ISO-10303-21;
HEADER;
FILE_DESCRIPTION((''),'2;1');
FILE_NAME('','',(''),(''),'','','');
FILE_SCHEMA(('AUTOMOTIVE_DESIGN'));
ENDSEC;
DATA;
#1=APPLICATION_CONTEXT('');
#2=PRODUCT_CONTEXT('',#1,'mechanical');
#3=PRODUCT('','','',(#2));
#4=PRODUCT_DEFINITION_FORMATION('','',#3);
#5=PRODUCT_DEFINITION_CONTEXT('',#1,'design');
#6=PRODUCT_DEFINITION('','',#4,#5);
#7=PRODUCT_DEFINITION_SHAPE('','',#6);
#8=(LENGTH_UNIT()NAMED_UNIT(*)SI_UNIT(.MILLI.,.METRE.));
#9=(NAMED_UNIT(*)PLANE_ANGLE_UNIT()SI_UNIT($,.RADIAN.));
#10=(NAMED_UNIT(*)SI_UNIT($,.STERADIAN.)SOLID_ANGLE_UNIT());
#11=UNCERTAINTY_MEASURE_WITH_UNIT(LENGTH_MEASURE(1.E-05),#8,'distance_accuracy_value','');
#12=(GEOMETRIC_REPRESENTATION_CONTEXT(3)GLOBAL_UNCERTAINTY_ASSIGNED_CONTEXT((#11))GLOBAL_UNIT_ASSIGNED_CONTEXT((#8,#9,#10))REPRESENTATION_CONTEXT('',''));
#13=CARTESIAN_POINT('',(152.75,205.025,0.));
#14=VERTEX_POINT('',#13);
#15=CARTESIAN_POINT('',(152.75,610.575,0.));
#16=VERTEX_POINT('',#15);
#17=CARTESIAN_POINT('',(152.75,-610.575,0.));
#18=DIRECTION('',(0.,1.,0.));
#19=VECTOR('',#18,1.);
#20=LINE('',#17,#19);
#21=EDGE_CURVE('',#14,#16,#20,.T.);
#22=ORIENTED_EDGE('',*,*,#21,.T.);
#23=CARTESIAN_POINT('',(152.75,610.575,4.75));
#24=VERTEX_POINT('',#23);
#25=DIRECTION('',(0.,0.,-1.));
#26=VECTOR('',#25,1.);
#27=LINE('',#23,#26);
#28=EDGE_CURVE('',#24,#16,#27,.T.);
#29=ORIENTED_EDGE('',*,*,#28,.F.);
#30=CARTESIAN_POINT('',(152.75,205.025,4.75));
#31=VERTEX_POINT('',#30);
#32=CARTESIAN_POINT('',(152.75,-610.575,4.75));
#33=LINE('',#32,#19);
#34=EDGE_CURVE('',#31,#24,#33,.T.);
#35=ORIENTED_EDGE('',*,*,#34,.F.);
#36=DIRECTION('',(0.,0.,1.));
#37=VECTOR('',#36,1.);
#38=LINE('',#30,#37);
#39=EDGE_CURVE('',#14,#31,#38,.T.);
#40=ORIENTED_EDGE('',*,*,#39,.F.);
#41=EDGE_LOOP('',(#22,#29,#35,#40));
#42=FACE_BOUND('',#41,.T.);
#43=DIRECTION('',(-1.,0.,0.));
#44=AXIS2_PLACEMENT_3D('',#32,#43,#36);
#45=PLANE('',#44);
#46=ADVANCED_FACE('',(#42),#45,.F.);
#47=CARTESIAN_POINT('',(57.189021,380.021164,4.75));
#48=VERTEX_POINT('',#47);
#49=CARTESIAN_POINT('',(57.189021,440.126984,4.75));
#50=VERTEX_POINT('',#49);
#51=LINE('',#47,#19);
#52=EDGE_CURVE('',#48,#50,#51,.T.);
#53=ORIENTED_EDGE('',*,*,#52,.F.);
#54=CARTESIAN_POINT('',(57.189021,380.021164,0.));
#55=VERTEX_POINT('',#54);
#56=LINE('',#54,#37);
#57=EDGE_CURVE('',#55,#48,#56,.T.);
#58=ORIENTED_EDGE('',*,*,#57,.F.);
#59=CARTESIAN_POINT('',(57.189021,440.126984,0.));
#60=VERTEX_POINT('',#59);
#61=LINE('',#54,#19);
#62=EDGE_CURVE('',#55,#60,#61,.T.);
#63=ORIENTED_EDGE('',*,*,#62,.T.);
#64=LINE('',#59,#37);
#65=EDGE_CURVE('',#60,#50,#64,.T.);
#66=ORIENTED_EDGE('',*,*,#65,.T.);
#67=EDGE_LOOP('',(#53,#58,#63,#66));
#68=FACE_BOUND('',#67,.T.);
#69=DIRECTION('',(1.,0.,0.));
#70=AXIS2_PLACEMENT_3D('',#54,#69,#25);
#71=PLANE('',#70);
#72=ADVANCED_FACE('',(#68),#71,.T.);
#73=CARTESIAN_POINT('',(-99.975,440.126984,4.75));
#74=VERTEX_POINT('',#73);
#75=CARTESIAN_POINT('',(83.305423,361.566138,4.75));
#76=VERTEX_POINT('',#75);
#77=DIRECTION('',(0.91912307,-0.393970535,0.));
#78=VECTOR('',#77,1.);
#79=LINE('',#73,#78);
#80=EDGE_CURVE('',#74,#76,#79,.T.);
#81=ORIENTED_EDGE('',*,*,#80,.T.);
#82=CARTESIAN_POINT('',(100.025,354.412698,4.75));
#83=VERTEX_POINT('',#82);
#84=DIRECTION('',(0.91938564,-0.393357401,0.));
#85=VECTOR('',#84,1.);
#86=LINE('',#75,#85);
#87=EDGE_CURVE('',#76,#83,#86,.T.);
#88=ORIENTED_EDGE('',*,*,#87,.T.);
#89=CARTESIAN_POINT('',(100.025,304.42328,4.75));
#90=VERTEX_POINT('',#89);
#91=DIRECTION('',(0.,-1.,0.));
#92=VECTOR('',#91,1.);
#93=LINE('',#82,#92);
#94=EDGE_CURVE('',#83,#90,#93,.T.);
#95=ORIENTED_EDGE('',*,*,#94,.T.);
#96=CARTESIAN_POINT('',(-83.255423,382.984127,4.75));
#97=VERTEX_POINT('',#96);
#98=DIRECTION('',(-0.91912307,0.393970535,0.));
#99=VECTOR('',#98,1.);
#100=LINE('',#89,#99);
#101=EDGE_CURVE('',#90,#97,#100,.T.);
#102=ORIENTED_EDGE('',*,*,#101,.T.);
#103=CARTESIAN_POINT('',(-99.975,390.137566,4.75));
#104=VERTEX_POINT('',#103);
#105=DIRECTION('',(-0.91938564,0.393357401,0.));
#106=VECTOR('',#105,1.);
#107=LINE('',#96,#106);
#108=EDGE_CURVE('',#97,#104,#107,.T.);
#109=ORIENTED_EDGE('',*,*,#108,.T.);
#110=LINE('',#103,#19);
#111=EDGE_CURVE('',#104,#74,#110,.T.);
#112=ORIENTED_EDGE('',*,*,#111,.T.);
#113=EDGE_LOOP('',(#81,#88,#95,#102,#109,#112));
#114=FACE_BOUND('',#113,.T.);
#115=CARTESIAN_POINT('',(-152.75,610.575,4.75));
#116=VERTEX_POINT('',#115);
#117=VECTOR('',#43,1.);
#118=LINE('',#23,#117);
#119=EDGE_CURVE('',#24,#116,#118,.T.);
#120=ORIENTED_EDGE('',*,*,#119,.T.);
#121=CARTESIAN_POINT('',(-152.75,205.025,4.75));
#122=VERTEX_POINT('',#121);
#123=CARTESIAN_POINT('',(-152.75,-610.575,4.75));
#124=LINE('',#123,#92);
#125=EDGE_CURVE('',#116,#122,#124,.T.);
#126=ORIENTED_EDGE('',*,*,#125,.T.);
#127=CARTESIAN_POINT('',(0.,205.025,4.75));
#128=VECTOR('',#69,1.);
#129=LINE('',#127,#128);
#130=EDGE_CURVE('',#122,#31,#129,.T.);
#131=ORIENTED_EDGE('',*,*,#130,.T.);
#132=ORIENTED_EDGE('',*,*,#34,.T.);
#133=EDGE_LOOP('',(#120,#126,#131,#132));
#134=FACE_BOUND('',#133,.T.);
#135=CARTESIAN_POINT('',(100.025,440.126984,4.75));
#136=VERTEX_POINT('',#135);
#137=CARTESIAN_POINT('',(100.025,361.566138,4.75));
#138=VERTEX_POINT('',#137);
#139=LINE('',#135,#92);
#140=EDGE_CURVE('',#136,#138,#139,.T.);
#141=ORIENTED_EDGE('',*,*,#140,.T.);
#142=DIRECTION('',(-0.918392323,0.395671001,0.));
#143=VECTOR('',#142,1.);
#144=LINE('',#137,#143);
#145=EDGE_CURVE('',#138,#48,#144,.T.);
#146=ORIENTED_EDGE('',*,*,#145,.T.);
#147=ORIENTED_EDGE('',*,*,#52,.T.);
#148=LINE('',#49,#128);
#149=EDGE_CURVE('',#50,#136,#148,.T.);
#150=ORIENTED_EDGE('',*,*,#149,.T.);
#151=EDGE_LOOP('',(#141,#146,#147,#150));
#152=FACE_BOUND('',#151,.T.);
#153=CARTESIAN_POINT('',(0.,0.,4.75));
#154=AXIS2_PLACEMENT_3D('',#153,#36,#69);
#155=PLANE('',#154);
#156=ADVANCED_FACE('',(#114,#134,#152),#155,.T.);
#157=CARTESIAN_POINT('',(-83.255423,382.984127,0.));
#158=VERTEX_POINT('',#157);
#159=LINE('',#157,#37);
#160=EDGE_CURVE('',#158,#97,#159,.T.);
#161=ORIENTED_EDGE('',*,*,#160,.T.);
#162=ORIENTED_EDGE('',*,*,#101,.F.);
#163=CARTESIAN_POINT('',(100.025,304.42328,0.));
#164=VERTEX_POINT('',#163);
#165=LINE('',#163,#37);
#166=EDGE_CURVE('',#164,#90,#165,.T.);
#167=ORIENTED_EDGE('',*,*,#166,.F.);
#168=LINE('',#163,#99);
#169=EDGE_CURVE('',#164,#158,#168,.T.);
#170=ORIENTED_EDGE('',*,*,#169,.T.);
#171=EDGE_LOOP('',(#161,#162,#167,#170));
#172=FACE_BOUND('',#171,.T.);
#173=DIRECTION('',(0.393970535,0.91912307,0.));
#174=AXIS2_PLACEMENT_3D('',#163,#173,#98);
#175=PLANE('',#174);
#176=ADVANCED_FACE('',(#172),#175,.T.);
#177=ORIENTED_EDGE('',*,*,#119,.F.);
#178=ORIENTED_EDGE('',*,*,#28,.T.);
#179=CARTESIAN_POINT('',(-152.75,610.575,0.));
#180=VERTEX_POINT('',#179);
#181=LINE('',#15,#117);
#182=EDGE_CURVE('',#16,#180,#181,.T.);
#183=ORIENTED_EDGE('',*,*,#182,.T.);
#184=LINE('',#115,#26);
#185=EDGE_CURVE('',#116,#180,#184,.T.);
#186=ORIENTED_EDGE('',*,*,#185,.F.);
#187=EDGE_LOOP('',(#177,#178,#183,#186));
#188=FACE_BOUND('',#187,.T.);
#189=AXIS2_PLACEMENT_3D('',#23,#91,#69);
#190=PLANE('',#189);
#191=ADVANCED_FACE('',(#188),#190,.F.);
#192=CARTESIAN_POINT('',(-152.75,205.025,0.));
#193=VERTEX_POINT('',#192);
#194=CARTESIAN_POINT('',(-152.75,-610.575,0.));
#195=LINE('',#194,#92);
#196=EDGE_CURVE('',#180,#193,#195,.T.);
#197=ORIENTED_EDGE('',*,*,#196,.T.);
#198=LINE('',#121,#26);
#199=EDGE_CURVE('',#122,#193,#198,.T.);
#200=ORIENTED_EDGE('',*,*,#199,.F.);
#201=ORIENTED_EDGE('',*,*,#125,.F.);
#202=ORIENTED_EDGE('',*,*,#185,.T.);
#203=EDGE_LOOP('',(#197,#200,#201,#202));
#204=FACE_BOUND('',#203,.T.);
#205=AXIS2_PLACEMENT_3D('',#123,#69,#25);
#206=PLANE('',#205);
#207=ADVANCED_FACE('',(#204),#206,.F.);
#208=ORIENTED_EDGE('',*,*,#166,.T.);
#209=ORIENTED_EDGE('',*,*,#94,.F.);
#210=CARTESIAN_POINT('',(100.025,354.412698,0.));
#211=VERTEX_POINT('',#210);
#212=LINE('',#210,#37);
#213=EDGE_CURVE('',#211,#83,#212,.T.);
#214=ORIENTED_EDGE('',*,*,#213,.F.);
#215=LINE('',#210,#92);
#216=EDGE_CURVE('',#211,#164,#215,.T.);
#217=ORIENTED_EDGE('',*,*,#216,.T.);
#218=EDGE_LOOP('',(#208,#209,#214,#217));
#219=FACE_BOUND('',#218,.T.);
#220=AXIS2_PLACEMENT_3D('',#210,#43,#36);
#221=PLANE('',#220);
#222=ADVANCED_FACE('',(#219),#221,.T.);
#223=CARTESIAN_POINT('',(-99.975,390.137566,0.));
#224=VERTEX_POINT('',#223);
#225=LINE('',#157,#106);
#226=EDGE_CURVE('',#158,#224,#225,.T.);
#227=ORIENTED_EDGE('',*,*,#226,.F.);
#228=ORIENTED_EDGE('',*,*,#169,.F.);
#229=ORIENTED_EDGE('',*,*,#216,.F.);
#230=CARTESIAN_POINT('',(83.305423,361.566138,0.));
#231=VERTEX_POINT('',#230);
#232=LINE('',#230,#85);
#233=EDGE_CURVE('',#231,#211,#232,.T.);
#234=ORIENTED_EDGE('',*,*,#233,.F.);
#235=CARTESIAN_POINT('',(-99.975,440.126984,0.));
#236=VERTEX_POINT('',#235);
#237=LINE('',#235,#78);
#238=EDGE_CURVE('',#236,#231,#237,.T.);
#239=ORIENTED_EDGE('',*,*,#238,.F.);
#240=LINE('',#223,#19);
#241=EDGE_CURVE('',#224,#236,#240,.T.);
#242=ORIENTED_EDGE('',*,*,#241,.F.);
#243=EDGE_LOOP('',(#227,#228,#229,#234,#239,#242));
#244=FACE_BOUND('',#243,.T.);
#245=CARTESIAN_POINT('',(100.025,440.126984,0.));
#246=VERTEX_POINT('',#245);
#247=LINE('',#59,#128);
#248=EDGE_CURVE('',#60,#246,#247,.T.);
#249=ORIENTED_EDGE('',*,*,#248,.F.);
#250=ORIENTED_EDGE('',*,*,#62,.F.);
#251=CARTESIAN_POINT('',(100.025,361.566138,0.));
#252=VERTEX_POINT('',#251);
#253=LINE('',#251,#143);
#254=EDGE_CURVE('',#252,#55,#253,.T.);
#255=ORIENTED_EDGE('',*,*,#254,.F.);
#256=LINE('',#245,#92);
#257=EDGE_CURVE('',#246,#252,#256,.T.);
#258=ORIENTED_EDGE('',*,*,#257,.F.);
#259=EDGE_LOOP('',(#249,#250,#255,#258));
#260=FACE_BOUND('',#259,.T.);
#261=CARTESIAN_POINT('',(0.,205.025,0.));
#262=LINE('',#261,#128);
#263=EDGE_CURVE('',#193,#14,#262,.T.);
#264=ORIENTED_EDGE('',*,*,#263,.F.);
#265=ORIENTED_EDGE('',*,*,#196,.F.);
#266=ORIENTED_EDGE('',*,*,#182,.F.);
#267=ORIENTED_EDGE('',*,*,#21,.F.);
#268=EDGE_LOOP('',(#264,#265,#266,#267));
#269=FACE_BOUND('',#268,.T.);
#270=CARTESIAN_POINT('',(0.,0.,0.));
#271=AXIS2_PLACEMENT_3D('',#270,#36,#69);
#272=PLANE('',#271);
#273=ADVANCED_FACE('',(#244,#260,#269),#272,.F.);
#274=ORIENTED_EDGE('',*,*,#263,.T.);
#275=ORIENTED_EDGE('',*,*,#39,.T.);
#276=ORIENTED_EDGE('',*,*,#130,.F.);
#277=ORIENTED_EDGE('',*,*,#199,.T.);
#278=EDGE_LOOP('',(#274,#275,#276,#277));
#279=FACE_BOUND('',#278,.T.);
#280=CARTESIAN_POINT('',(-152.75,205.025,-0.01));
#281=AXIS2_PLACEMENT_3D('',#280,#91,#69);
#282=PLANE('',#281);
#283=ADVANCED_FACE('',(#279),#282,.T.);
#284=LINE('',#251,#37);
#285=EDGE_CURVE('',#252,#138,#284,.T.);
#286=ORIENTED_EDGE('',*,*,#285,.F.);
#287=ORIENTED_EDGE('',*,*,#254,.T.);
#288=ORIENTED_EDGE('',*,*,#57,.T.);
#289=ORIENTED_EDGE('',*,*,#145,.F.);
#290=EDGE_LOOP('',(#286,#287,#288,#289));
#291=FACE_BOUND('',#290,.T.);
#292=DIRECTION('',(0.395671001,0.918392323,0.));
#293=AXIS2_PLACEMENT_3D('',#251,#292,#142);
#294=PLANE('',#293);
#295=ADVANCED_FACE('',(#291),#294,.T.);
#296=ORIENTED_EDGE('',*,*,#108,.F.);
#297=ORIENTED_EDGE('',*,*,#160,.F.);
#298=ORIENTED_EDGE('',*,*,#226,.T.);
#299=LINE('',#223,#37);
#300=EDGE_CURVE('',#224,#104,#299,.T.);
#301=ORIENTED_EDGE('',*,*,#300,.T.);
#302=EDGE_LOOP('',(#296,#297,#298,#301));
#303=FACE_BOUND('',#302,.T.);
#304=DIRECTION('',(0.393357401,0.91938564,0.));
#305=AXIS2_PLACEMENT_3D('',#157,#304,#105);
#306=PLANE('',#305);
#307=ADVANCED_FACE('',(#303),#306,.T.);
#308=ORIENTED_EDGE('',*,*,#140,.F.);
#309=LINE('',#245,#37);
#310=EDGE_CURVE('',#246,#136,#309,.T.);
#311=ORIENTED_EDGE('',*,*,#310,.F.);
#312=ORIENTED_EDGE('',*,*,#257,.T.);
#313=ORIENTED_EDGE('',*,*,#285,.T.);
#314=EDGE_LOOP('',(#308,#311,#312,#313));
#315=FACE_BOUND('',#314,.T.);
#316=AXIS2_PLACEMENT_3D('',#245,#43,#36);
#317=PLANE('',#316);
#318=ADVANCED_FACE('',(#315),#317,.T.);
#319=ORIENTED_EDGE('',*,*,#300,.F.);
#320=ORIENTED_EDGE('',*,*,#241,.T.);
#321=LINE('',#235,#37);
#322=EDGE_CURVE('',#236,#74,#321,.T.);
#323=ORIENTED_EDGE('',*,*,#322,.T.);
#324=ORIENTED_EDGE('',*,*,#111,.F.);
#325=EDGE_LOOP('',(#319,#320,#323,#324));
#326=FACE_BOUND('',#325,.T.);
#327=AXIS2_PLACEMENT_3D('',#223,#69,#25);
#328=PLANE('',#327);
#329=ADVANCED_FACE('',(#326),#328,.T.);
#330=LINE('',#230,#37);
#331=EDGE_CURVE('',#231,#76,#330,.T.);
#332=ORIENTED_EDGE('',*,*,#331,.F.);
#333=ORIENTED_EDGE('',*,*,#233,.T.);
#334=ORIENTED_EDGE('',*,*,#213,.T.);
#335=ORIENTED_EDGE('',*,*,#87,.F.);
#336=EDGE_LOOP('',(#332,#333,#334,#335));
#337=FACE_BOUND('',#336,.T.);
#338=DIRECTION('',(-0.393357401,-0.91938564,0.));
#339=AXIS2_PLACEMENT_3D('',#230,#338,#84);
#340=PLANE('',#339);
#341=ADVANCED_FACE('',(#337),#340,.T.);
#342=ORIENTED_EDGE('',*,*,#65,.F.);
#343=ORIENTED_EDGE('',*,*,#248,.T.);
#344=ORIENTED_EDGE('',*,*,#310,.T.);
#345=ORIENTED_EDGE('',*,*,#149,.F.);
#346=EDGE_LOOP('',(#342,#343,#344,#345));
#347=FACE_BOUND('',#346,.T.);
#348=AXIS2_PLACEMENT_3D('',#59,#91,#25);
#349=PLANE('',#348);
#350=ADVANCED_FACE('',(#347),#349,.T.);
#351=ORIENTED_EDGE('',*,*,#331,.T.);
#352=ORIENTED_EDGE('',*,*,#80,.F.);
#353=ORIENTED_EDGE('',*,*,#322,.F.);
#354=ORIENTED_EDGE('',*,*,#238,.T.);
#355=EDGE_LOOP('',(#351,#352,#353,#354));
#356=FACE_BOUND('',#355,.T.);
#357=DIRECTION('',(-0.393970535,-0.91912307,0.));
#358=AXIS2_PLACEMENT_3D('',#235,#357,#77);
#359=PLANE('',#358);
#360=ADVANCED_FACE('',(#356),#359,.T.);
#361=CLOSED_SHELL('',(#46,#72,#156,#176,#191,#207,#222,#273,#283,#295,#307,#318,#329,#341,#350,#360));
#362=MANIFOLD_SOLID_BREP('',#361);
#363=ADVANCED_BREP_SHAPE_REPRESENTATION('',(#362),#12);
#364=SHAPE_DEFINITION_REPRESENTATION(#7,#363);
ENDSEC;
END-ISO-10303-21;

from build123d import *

# Parameters (mm, degrees)
SKETCH_1_W                     = 305.5
SKETCH_1_H                     = 1221.15
EXTRUDE_1_DEPTH                = 4.75
CUT_EXTRUDE_2_DEPTH            = 4.75
SPLIT_BODIES_1_SURFACE_1_BACK  = 1259.793
SPLIT_BODIES_1_SURFACE_1_DEPTH = 2519.586


with BuildPart() as part:
    # 草圖1 → 填料-伸長1 (new body)
    with BuildSketch(Plane.XY):
        Rectangle(SKETCH_1_W, SKETCH_1_H)
    extrude(amount=EXTRUDE_1_DEPTH)

    # 草圖2 → 除料-伸長2 (cut)
    with BuildSketch(Plane.XY.offset(4.75)):
        Polygon((100.025, 354.412698413), (100.025, 304.423280423), (-83.25542328, 382.984126984), (-99.975, 390.137566138), (-99.975, 440.126984127), (83.30542328, 361.566137566), align=None)
        Polygon((57.189021164, 380.021164021), (57.189021164, 440.126984127), (100.025, 440.126984127), (100.025, 361.566137566), align=None)
        Polygon((50.035582011, 106.53968254), (57.189021164, 106.53968254), (57.189021164, 120.846560847), (100.025, 120.846560847), (100.025, 84.994708995), (71.453571429, 56.55026455), (50.035582011, 56.55026455), align=None)
        Polygon((-71.403571429, 56.55026455), (-99.975, 84.994708995), (-99.975, 120.846560847), (-57.096693122, 120.846560847), (-57.096693122, 106.53968254), (-21.414153439, 106.53968254), (-21.414153439, 120.846560847), (21.464153439, 120.846560847), (21.464153439, 85.121693122), (-7.107275132, 56.55026455), align=None)
        Polygon((-21.414153439, 142.264550265), (-57.096693122, 142.264550265), (-57.096693122, 127.830687831), (-99.975, 128), (-99.975, 163.682539683), (-71.403571429, 192.423280423), (71.453571429, 192.253968254), (100.025, 163.682539683), (100.025, 127.830687831), (57.189021164, 127.830687831), (57.189021164, 142.264550265), (21.464153439, 142.264550265), (21.464153439, 128), (-21.414153439, 128), align=None)
        Polygon((21.591137566, -141.164021164), (57.189021164, -141.164021164), (57.189021164, -127.026455026), (100.025, -127.026455026), (100.025, -162.878306878), (71.453571429, -191.322751323), (7.157275132, -191.322751323), (0.046164021, -184.042328042), (-6.980291005, -191.44973545), (-71.276587302, -191.44973545), (-99.848015873, -163.047619048), (-99.975, -127.026455026), (-57.096693122, -127.026455026), (-56.969708995, -141.333333333), (-21.24484127, -141.333333333), (-21.414153439, -127.026455026), (21.29484127, -126.899470899), (21.29484127, -127.153439153), (21.591137566, -127.153439153), align=None)
        Polygon((50.035582011, -55.44973545), (71.453571429, -55.44973545), (100.025, -84.19047619), (100.025, -120.042328042), (57.189021164, -120.042328042), (57.189021164, -105.608465608), (50.035582011, -105.608465608), align=None)
        Polygon((-49.985582011, -105.608465608), (-57.096693122, -105.608465608), (-57.096693122, -120.042328042), (-99.975, -119.873015873), (-99.975, -84.19047619), (-71.403571429, -55.44973545), (-49.985582011, -55.44973545), align=None)
        Polygon((50.035582011, -389.206349206), (57.189021164, -389.206349206), (57.189021164, -374.899470899), (100.025, -374.899470899), (100.025, -410.751322751), (71.453571429, -439.195767196), (50.035582011, -439.195767196), align=None)
        Polygon((-71.403571429, -439.195767196), (-99.975, -410.751322751), (-99.975, -374.899470899), (-57.096693122, -374.899470899), (-57.096693122, -389.206349206), (-21.414153439, -389.206349206), (-21.414153439, -374.899470899), (21.464153439, -374.899470899), (21.464153439, -410.624338624), (-7.107275132, -439.195767196), align=None)
        Polygon((-21.414153439, -353.481481481), (-57.096693122, -353.481481481), (-57.096693122, -367.915343915), (-99.975, -367.746031746), (-99.975, -332.063492063), (-71.403571429, -303.322751323), (71.453571429, -303.492063492), (100.025, -332.063492063), (100.025, -367.915343915), (57.189021164, -367.915343915), (57.189021164, -353.481481481), (21.464153439, -353.481481481), (21.464153439, -367.746031746), (-21.414153439, -367.746031746), align=None)
    extrude(amount=-CUT_EXTRUDE_2_DEPTH, mode=Mode.SUBTRACT)

    # Split Bodies 1: cut with a surface, the side it looks to stays
    # Split Bodies 1 surface: a surface, the sketch's curves swept straight by 2519.586 mm
    with BuildLine(Plane.XY.offset(4.75).offset(-SPLIT_BODIES_1_SURFACE_1_BACK), mode=Mode.PRIVATE) as split_bodies_1_surface_1_path:
        Line((-152.75, 205.025), (152.75, 205.025))
    split_bodies_1_surface_1 = Shell.extrude(split_bodies_1_surface_1_path.wire(), (0 * SPLIT_BODIES_1_SURFACE_1_DEPTH, 0 * SPLIT_BODIES_1_SURFACE_1_DEPTH, 1 * SPLIT_BODIES_1_SURFACE_1_DEPTH))
    split(bisect_by=split_bodies_1_surface_1, keep=Keep.TOP)


solid = part.part
